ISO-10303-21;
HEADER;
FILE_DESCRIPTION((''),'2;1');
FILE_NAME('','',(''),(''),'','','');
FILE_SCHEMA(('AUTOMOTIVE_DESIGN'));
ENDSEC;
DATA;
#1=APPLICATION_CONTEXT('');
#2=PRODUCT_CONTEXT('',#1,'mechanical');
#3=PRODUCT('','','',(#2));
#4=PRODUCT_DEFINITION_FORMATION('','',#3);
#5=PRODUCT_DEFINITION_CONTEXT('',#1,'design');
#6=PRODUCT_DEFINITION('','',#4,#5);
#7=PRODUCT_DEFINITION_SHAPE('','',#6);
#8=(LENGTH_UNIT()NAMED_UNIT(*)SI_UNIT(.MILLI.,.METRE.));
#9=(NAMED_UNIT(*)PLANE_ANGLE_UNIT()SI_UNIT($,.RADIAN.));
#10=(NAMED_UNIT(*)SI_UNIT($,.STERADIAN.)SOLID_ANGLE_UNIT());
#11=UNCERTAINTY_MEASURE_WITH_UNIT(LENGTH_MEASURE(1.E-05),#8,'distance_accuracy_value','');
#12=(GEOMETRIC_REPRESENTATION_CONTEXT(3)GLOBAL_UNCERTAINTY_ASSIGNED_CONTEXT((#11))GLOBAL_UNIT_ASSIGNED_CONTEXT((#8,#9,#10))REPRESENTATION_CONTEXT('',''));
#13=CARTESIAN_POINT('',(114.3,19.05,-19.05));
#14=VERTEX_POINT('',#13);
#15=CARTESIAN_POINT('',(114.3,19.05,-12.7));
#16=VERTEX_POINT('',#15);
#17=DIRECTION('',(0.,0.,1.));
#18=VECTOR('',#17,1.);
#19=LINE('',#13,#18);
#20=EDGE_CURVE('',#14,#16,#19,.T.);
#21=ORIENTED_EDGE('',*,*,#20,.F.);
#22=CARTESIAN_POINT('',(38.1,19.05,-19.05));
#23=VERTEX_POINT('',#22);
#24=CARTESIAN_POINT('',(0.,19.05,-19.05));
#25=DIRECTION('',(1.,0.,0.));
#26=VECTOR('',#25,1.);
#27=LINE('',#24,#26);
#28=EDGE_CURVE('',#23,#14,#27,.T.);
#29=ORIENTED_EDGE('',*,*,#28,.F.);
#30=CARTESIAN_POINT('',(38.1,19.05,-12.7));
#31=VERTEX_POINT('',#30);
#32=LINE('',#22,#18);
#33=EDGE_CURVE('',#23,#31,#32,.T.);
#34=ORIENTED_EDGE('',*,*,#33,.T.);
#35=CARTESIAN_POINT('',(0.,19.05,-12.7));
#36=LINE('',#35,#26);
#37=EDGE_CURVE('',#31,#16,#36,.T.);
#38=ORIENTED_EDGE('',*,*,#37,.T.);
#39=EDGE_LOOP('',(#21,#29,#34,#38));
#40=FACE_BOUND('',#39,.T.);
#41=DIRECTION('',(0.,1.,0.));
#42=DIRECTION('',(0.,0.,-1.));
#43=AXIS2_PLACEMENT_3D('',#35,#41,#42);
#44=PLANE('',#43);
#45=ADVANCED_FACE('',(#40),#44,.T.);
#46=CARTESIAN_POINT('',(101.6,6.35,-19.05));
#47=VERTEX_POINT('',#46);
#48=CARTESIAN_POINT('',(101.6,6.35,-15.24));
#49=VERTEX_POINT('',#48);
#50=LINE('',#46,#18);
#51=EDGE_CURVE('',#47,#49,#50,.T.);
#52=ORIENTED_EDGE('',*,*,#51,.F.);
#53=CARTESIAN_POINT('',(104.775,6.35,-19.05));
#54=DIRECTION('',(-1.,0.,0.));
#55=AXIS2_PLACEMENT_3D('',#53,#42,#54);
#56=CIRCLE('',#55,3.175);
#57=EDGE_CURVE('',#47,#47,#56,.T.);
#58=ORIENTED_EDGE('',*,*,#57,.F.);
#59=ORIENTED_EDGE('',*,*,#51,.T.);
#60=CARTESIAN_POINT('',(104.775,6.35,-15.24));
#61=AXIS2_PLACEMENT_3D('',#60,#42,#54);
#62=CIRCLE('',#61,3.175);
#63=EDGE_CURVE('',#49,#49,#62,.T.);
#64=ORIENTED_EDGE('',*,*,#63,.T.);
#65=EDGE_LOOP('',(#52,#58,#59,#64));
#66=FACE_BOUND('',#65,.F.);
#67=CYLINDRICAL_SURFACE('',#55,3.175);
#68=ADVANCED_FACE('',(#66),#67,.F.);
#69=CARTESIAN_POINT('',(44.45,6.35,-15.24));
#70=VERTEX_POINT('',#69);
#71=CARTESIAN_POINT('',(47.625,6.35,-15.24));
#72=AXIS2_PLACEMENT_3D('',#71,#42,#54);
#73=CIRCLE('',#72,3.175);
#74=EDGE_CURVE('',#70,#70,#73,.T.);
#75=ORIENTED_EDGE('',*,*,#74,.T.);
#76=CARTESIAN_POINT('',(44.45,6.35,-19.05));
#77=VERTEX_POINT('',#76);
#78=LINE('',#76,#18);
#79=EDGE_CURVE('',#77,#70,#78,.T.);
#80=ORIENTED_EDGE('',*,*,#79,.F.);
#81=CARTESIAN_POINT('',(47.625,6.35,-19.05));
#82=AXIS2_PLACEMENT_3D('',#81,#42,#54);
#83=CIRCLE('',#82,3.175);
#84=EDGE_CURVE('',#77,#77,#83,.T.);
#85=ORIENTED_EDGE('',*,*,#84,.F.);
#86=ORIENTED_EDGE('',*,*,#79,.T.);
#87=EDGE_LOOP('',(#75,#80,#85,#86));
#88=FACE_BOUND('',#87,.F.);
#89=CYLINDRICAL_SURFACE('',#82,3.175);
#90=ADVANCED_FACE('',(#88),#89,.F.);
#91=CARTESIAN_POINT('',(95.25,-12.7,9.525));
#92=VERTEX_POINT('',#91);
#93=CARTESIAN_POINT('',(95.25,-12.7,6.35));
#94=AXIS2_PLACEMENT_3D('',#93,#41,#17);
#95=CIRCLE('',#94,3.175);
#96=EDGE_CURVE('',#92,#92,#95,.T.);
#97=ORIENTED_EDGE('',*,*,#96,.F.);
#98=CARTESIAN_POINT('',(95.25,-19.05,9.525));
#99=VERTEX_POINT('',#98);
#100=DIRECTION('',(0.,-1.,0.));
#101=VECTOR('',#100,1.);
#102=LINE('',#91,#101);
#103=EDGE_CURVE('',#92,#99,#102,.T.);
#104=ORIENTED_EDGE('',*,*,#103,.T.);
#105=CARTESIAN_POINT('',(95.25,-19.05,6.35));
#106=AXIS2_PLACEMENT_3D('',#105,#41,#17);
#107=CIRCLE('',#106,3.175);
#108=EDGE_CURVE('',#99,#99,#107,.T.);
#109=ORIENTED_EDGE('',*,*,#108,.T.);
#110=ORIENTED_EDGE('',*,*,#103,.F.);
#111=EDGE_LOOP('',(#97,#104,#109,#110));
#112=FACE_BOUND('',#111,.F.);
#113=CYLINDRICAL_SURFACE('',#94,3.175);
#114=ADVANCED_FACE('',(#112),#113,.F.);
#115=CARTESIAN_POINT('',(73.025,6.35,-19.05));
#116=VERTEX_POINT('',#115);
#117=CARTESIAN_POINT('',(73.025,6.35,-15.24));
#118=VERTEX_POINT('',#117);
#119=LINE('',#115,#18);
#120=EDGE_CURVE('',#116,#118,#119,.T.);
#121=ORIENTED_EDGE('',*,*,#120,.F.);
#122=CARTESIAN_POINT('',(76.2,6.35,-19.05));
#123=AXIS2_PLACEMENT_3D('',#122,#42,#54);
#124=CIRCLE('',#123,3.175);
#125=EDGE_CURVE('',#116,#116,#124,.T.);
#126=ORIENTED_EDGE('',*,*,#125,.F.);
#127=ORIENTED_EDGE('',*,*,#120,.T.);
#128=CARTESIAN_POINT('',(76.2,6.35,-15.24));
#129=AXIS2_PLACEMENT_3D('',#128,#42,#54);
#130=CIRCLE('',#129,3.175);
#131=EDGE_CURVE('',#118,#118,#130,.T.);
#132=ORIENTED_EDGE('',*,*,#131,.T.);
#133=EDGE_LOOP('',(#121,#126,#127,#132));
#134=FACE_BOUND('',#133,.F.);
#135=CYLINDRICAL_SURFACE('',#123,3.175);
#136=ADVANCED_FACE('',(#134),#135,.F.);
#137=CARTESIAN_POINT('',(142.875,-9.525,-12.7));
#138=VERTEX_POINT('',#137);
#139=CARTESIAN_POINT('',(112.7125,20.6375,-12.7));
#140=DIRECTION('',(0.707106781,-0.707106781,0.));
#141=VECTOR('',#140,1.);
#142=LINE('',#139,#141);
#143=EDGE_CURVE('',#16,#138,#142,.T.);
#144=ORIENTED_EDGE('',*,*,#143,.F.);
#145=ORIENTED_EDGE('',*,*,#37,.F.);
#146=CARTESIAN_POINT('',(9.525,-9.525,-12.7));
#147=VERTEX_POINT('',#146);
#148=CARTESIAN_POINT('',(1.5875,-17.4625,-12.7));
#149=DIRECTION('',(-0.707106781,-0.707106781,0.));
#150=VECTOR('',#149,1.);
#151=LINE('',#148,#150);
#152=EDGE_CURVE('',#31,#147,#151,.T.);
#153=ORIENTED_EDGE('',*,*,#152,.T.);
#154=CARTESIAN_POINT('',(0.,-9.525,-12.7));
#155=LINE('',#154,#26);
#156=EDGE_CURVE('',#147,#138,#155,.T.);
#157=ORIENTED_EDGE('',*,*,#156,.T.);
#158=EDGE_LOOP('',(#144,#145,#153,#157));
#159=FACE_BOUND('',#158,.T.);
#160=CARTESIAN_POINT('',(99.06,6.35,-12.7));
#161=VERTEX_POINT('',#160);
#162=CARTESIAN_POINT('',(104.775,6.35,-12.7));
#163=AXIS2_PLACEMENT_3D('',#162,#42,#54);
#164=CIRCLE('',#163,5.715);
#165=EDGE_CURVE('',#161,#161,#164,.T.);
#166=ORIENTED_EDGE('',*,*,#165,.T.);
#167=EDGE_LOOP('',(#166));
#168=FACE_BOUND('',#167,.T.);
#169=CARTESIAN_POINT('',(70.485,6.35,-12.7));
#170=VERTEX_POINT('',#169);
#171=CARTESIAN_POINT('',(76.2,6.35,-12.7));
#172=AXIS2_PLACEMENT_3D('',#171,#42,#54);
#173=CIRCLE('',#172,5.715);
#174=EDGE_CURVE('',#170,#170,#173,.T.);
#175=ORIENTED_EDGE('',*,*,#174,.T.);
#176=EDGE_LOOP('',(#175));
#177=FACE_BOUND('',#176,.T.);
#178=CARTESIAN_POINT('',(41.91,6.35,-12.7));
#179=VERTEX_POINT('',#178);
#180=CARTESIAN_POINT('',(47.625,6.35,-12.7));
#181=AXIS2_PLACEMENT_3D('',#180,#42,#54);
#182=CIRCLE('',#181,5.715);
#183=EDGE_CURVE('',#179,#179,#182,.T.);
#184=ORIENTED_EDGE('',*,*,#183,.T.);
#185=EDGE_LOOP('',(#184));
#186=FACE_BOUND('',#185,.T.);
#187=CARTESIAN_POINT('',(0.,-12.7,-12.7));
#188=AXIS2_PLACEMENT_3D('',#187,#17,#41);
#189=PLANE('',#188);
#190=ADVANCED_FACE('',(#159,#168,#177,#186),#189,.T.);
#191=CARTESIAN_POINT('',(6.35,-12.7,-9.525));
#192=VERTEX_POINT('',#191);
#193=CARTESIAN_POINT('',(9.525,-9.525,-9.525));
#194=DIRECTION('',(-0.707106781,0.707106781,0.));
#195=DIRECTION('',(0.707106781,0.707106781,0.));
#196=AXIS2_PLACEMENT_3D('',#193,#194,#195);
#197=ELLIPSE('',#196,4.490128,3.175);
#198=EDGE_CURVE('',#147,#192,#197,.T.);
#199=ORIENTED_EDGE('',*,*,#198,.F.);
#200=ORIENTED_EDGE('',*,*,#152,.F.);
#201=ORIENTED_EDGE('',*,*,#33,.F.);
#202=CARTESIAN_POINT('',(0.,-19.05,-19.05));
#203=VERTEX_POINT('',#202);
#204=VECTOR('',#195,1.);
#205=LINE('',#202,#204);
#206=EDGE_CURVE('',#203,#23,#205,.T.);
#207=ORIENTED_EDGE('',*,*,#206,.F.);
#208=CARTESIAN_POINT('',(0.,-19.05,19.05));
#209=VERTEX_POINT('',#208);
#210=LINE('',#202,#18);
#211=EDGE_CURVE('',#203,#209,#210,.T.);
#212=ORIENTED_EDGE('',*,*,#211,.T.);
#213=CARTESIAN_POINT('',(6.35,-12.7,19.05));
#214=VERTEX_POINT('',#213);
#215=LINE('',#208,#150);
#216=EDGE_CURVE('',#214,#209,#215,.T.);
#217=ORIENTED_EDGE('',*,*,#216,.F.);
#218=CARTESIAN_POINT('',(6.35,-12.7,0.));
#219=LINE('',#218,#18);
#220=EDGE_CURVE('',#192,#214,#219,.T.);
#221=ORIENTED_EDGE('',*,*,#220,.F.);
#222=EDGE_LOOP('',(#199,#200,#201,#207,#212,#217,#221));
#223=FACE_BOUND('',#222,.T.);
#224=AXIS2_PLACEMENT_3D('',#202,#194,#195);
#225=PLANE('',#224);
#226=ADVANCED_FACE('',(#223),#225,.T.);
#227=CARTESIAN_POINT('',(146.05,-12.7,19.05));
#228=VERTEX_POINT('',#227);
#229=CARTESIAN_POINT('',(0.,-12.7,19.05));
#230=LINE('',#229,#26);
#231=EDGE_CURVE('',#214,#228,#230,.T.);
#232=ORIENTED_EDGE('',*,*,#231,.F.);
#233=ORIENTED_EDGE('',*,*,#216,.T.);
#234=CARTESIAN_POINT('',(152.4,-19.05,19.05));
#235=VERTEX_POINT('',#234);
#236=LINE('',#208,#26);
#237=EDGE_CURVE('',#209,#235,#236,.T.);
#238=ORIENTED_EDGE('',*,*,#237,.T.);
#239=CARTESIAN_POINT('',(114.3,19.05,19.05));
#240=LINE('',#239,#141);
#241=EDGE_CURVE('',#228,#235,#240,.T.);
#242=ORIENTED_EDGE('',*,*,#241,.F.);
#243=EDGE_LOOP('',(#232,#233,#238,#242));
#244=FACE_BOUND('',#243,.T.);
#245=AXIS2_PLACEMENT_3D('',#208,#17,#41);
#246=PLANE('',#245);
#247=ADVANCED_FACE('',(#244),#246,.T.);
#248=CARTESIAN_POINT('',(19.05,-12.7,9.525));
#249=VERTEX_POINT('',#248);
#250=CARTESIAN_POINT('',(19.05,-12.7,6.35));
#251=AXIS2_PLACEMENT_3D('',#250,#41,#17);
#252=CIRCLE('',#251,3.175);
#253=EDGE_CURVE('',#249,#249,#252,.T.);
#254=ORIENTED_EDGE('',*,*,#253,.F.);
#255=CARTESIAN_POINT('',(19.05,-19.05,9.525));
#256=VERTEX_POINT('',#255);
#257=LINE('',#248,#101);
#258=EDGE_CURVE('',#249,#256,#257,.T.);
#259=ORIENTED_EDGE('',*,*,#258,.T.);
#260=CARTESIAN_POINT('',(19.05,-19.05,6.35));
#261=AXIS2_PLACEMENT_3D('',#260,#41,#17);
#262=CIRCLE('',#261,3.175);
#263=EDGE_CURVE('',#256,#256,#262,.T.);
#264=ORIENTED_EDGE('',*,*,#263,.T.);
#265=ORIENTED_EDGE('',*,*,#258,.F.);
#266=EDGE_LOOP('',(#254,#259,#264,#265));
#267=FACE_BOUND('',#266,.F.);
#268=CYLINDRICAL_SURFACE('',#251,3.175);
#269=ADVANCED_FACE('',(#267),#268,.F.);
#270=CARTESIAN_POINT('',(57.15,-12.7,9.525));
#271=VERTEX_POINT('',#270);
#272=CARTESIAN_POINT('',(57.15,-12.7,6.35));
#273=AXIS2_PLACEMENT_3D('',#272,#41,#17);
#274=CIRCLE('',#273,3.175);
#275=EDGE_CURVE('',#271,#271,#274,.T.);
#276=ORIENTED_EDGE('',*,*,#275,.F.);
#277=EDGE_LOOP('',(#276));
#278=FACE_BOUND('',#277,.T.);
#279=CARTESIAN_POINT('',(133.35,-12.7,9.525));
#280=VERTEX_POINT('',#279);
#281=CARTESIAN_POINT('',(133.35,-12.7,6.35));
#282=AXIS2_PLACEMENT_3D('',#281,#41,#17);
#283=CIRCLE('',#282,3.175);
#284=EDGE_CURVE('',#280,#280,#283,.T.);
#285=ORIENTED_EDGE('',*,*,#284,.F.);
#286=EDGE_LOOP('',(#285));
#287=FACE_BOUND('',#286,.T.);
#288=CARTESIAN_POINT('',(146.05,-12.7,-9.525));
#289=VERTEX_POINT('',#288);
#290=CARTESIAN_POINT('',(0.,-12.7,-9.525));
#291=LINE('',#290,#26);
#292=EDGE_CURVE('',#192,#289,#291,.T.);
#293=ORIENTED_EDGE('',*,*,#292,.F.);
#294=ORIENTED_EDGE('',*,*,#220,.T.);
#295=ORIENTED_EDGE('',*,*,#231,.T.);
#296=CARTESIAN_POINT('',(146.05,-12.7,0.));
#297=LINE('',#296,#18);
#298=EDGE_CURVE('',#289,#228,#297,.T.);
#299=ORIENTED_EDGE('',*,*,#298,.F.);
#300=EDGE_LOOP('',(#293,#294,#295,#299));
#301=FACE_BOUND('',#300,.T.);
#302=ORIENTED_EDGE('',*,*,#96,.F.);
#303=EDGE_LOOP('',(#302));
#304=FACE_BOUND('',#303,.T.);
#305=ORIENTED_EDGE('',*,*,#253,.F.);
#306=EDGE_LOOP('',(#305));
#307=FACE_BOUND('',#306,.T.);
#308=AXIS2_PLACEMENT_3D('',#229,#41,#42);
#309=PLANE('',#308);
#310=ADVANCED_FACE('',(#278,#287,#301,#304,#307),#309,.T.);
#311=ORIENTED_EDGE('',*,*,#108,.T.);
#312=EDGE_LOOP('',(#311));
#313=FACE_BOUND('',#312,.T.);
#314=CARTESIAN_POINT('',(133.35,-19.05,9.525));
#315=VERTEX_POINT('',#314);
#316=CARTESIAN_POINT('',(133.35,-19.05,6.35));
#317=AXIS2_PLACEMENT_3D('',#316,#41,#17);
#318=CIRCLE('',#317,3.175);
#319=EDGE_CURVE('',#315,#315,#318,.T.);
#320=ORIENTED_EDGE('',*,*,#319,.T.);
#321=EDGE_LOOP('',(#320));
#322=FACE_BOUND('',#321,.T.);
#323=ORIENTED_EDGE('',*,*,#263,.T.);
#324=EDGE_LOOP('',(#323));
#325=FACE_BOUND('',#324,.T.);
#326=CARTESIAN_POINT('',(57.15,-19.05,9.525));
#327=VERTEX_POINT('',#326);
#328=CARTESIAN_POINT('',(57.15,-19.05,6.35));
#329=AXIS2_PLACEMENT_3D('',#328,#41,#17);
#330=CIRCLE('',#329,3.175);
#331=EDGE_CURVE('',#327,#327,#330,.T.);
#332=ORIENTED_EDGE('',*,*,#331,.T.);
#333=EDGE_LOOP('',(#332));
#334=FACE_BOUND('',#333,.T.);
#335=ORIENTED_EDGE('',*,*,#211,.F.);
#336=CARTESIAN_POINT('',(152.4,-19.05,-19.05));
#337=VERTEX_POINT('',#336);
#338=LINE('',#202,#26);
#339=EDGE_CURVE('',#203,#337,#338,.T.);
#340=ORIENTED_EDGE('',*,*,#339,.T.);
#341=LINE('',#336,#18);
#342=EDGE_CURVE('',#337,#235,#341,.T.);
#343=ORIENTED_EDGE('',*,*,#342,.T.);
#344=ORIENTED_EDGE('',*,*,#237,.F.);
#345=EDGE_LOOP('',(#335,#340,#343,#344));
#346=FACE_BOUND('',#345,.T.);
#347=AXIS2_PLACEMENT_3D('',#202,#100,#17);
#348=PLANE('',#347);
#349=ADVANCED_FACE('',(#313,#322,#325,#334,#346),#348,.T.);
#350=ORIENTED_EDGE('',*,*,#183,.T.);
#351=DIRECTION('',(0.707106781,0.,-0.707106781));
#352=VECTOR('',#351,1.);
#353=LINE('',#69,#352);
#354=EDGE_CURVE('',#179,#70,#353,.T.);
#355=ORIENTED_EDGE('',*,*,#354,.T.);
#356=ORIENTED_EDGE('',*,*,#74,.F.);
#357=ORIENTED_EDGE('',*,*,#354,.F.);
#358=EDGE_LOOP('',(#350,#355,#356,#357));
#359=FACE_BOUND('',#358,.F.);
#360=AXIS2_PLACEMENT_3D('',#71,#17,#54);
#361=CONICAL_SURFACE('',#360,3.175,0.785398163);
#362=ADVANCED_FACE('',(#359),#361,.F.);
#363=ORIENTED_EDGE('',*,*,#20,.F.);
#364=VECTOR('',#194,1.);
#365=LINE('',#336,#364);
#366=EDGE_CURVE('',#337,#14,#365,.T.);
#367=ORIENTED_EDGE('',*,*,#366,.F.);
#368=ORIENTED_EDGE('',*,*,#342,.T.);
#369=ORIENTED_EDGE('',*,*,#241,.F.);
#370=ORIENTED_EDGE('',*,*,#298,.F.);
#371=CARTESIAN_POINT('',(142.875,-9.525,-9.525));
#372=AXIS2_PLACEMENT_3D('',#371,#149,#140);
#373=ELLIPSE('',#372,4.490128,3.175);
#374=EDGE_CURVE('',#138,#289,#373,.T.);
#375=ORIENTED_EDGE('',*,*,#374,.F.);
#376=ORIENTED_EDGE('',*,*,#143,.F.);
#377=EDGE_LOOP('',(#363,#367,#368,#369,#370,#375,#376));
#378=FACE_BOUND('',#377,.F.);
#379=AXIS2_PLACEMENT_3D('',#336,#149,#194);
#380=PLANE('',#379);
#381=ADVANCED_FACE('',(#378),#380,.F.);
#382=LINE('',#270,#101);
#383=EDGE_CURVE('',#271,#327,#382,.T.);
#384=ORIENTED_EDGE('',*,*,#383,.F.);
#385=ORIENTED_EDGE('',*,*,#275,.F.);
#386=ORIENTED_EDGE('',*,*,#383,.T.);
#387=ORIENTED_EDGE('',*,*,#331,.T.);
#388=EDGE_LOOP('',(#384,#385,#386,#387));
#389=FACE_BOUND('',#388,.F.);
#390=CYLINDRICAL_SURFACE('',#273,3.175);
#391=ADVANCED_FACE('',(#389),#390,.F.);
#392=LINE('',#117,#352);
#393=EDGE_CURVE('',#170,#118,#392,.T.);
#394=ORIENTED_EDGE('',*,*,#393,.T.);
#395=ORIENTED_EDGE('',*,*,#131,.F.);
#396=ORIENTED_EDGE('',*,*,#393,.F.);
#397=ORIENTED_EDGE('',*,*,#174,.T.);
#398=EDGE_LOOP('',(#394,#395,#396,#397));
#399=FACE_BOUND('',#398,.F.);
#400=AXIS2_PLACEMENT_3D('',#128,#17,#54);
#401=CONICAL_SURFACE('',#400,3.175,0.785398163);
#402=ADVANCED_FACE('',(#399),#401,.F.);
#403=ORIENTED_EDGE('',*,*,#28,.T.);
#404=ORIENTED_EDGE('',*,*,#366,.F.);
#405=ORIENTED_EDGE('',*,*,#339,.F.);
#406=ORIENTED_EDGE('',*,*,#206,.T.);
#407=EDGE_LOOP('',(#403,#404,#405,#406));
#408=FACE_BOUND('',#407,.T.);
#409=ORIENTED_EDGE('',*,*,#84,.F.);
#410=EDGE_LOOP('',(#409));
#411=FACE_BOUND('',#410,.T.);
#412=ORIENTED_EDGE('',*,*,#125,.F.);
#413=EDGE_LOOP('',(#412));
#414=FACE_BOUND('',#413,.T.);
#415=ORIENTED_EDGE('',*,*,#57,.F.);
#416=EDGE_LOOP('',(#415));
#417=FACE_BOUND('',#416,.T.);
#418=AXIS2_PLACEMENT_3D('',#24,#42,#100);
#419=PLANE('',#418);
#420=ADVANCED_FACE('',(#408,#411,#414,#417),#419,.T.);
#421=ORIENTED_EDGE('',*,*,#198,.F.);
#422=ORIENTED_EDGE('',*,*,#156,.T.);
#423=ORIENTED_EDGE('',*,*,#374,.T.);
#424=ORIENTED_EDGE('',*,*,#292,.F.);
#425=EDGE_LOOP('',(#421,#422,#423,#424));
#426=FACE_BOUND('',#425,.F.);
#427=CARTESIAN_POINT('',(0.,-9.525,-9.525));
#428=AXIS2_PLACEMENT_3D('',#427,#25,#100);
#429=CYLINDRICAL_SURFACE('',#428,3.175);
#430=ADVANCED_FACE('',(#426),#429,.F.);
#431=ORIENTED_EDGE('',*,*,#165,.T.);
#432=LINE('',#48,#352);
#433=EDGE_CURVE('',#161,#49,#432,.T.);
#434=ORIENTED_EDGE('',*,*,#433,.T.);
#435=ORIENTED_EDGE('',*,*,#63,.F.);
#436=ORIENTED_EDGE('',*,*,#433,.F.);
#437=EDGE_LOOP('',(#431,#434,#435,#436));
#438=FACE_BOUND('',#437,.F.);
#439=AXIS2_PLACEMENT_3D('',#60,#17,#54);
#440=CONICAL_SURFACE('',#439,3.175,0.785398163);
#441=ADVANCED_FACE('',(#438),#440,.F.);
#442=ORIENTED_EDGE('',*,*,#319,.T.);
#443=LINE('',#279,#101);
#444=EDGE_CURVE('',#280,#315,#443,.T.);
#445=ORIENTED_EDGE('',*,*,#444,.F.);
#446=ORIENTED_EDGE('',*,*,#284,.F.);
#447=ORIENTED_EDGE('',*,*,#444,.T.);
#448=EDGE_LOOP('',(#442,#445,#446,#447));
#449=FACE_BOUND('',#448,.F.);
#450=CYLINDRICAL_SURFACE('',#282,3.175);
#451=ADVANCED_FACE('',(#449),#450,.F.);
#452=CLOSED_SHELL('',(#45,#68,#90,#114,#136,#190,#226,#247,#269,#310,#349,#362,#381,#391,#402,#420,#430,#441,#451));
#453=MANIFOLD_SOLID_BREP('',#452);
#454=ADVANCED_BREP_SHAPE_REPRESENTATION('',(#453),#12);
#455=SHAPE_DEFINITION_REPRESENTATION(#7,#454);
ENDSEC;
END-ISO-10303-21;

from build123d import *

# Parameters (mm, degrees)
BOSS_EXTRUDE1_DEPTH = 152.4
FILLET1_R           = 3.175
SKETCH2_R           = 3.175
CUT_EXTRUDE2_DEPTH  = 152.4
CHAMFER1_SIZE       = 2.54
CHAMFER2_SIZE       = 2.54
SKETCH3_R           = 3.175
CUT_EXTRUDE3_DEPTH  = 152.4
CUT_EXTRUDE4_DEPTH  = 152.4


with BuildPart() as part:
    # Sketch1 → Boss-Extrude1 (new body)
    with BuildSketch(Plane(origin=(0, 0, 0), x_dir=(0, 0, -1), z_dir=(1, 0, 0))):
        Polygon((19.05, -19.05), (-19.05, -19.05), (-19.05, -12.7), (12.7, -12.7), (12.7, 19.05), (19.05, 19.05), align=None)
    extrude(amount=BOSS_EXTRUDE1_DEPTH)

    # Fillet1
    fillet1_edges = [part.edges().sort_by_distance(p)[0] for p in [
        (76.2, -12.7, -12.7),
    ]]
    fillet(fillet1_edges, radius=FILLET1_R)

    # Sketch2 → Cut-Extrude2 (cut)
    with BuildSketch(Plane(origin=(0, 0, -19.05), x_dir=(-1, 0, 0), z_dir=(0, 0, -1))):
        with Locations((-104.775, 6.35)):
            Circle(SKETCH2_R)
        with Locations((-76.2, 6.35)):
            Circle(SKETCH2_R)
        with Locations((-47.625, 6.35)):
            Circle(SKETCH2_R)
    extrude(amount=-CUT_EXTRUDE2_DEPTH, mode=Mode.SUBTRACT)

    # Chamfer1
    chamfer1_edges = [part.edges().sort_by_distance(p)[0] for p in [
        (50.8, 6.35, -12.7),
    ]]
    chamfer(chamfer1_edges, length=CHAMFER1_SIZE)

    # Chamfer2
    chamfer2_edges = [part.edges().sort_by_distance(p)[0] for p in [
        (107.95, 6.35, -12.7),
        (79.375, 6.35, -12.7),
    ]]
    chamfer(chamfer2_edges, length=CHAMFER2_SIZE)

    # Sketch3 → Cut-Extrude3 (cut)
    with BuildSketch(Plane(origin=(0, -12.7, 0), x_dir=(1, 0, 0), z_dir=(0, 1, 0))):
        with Locations(Location((19.05, -6.35, 0), (0, 0, 270))):
            Circle(SKETCH3_R)
        with Locations(Location((57.15, -6.35, 0), (0, 0, 270))):
            Circle(SKETCH3_R)
        with Locations(Location((95.25, -6.35, 0), (0, 0, 270))):
            Circle(SKETCH3_R)
        with Locations(Location((133.35, -6.35, 0), (0, 0, 270))):
            Circle(SKETCH3_R)
    extrude(amount=-CUT_EXTRUDE3_DEPTH, mode=Mode.SUBTRACT)

    # Sketch4 → Cut-Extrude4 (cut)
    with BuildSketch(Plane(origin=(0, 0, -19.05), x_dir=(-1, 0, 0), z_dir=(0, 0, -1))):
        Polygon((-152.4, -19.05), (-114.3, 19.05), (-152.4, 19.05), align=None)
        Polygon((0, -19.05), (-38.1, 19.05), (0, 19.05), align=None)
    extrude(amount=-CUT_EXTRUDE4_DEPTH, mode=Mode.SUBTRACT)


solid = part.part
